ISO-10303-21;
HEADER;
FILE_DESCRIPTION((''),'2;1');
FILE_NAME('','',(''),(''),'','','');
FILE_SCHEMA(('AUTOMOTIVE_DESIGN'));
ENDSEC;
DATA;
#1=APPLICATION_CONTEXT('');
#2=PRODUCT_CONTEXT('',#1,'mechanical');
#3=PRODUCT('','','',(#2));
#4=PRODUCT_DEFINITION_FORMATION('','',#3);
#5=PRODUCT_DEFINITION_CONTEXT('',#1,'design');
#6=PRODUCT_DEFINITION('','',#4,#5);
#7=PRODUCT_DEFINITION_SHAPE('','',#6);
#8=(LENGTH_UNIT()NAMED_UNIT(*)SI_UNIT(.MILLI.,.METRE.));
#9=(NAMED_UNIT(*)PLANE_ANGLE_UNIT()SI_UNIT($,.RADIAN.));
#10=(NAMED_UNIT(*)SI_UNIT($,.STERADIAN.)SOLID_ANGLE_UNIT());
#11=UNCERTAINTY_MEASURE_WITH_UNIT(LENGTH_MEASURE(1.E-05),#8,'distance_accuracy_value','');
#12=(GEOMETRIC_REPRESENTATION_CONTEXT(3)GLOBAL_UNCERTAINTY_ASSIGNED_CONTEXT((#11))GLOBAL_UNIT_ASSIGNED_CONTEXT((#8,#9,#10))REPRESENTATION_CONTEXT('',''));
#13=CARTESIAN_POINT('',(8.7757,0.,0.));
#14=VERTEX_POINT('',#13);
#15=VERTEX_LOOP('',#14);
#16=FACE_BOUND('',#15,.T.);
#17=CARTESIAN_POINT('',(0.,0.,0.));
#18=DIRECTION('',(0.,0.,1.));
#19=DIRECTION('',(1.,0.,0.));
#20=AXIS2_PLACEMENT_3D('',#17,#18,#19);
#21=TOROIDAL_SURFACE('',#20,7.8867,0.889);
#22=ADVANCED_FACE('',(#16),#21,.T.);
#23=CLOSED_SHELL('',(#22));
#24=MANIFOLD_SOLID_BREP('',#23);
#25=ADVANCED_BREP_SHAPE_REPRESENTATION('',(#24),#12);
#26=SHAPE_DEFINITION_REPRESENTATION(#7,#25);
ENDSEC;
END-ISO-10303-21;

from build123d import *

# Parameters (mm, degrees)
SKETCH1_R = 0.889


with BuildPart() as part:
    # Sketch1 → Revolve1 (revolve)
    with BuildSketch(Plane(origin=(0, 0, 0), x_dir=(0, 0, -1), z_dir=(1, 0, 0)), mode=Mode.PRIVATE) as revolve1_sk:
        with Locations((0, 7.8867)):
            Circle(SKETCH1_R)
    revolve(revolve1_sk.sketch.rotate(Axis((0, 0, 7.451954658), (0, 0, -1)), 90), axis=Axis((0, 0, 7.451954658), (0, 0, -1)))


solid = part.part
